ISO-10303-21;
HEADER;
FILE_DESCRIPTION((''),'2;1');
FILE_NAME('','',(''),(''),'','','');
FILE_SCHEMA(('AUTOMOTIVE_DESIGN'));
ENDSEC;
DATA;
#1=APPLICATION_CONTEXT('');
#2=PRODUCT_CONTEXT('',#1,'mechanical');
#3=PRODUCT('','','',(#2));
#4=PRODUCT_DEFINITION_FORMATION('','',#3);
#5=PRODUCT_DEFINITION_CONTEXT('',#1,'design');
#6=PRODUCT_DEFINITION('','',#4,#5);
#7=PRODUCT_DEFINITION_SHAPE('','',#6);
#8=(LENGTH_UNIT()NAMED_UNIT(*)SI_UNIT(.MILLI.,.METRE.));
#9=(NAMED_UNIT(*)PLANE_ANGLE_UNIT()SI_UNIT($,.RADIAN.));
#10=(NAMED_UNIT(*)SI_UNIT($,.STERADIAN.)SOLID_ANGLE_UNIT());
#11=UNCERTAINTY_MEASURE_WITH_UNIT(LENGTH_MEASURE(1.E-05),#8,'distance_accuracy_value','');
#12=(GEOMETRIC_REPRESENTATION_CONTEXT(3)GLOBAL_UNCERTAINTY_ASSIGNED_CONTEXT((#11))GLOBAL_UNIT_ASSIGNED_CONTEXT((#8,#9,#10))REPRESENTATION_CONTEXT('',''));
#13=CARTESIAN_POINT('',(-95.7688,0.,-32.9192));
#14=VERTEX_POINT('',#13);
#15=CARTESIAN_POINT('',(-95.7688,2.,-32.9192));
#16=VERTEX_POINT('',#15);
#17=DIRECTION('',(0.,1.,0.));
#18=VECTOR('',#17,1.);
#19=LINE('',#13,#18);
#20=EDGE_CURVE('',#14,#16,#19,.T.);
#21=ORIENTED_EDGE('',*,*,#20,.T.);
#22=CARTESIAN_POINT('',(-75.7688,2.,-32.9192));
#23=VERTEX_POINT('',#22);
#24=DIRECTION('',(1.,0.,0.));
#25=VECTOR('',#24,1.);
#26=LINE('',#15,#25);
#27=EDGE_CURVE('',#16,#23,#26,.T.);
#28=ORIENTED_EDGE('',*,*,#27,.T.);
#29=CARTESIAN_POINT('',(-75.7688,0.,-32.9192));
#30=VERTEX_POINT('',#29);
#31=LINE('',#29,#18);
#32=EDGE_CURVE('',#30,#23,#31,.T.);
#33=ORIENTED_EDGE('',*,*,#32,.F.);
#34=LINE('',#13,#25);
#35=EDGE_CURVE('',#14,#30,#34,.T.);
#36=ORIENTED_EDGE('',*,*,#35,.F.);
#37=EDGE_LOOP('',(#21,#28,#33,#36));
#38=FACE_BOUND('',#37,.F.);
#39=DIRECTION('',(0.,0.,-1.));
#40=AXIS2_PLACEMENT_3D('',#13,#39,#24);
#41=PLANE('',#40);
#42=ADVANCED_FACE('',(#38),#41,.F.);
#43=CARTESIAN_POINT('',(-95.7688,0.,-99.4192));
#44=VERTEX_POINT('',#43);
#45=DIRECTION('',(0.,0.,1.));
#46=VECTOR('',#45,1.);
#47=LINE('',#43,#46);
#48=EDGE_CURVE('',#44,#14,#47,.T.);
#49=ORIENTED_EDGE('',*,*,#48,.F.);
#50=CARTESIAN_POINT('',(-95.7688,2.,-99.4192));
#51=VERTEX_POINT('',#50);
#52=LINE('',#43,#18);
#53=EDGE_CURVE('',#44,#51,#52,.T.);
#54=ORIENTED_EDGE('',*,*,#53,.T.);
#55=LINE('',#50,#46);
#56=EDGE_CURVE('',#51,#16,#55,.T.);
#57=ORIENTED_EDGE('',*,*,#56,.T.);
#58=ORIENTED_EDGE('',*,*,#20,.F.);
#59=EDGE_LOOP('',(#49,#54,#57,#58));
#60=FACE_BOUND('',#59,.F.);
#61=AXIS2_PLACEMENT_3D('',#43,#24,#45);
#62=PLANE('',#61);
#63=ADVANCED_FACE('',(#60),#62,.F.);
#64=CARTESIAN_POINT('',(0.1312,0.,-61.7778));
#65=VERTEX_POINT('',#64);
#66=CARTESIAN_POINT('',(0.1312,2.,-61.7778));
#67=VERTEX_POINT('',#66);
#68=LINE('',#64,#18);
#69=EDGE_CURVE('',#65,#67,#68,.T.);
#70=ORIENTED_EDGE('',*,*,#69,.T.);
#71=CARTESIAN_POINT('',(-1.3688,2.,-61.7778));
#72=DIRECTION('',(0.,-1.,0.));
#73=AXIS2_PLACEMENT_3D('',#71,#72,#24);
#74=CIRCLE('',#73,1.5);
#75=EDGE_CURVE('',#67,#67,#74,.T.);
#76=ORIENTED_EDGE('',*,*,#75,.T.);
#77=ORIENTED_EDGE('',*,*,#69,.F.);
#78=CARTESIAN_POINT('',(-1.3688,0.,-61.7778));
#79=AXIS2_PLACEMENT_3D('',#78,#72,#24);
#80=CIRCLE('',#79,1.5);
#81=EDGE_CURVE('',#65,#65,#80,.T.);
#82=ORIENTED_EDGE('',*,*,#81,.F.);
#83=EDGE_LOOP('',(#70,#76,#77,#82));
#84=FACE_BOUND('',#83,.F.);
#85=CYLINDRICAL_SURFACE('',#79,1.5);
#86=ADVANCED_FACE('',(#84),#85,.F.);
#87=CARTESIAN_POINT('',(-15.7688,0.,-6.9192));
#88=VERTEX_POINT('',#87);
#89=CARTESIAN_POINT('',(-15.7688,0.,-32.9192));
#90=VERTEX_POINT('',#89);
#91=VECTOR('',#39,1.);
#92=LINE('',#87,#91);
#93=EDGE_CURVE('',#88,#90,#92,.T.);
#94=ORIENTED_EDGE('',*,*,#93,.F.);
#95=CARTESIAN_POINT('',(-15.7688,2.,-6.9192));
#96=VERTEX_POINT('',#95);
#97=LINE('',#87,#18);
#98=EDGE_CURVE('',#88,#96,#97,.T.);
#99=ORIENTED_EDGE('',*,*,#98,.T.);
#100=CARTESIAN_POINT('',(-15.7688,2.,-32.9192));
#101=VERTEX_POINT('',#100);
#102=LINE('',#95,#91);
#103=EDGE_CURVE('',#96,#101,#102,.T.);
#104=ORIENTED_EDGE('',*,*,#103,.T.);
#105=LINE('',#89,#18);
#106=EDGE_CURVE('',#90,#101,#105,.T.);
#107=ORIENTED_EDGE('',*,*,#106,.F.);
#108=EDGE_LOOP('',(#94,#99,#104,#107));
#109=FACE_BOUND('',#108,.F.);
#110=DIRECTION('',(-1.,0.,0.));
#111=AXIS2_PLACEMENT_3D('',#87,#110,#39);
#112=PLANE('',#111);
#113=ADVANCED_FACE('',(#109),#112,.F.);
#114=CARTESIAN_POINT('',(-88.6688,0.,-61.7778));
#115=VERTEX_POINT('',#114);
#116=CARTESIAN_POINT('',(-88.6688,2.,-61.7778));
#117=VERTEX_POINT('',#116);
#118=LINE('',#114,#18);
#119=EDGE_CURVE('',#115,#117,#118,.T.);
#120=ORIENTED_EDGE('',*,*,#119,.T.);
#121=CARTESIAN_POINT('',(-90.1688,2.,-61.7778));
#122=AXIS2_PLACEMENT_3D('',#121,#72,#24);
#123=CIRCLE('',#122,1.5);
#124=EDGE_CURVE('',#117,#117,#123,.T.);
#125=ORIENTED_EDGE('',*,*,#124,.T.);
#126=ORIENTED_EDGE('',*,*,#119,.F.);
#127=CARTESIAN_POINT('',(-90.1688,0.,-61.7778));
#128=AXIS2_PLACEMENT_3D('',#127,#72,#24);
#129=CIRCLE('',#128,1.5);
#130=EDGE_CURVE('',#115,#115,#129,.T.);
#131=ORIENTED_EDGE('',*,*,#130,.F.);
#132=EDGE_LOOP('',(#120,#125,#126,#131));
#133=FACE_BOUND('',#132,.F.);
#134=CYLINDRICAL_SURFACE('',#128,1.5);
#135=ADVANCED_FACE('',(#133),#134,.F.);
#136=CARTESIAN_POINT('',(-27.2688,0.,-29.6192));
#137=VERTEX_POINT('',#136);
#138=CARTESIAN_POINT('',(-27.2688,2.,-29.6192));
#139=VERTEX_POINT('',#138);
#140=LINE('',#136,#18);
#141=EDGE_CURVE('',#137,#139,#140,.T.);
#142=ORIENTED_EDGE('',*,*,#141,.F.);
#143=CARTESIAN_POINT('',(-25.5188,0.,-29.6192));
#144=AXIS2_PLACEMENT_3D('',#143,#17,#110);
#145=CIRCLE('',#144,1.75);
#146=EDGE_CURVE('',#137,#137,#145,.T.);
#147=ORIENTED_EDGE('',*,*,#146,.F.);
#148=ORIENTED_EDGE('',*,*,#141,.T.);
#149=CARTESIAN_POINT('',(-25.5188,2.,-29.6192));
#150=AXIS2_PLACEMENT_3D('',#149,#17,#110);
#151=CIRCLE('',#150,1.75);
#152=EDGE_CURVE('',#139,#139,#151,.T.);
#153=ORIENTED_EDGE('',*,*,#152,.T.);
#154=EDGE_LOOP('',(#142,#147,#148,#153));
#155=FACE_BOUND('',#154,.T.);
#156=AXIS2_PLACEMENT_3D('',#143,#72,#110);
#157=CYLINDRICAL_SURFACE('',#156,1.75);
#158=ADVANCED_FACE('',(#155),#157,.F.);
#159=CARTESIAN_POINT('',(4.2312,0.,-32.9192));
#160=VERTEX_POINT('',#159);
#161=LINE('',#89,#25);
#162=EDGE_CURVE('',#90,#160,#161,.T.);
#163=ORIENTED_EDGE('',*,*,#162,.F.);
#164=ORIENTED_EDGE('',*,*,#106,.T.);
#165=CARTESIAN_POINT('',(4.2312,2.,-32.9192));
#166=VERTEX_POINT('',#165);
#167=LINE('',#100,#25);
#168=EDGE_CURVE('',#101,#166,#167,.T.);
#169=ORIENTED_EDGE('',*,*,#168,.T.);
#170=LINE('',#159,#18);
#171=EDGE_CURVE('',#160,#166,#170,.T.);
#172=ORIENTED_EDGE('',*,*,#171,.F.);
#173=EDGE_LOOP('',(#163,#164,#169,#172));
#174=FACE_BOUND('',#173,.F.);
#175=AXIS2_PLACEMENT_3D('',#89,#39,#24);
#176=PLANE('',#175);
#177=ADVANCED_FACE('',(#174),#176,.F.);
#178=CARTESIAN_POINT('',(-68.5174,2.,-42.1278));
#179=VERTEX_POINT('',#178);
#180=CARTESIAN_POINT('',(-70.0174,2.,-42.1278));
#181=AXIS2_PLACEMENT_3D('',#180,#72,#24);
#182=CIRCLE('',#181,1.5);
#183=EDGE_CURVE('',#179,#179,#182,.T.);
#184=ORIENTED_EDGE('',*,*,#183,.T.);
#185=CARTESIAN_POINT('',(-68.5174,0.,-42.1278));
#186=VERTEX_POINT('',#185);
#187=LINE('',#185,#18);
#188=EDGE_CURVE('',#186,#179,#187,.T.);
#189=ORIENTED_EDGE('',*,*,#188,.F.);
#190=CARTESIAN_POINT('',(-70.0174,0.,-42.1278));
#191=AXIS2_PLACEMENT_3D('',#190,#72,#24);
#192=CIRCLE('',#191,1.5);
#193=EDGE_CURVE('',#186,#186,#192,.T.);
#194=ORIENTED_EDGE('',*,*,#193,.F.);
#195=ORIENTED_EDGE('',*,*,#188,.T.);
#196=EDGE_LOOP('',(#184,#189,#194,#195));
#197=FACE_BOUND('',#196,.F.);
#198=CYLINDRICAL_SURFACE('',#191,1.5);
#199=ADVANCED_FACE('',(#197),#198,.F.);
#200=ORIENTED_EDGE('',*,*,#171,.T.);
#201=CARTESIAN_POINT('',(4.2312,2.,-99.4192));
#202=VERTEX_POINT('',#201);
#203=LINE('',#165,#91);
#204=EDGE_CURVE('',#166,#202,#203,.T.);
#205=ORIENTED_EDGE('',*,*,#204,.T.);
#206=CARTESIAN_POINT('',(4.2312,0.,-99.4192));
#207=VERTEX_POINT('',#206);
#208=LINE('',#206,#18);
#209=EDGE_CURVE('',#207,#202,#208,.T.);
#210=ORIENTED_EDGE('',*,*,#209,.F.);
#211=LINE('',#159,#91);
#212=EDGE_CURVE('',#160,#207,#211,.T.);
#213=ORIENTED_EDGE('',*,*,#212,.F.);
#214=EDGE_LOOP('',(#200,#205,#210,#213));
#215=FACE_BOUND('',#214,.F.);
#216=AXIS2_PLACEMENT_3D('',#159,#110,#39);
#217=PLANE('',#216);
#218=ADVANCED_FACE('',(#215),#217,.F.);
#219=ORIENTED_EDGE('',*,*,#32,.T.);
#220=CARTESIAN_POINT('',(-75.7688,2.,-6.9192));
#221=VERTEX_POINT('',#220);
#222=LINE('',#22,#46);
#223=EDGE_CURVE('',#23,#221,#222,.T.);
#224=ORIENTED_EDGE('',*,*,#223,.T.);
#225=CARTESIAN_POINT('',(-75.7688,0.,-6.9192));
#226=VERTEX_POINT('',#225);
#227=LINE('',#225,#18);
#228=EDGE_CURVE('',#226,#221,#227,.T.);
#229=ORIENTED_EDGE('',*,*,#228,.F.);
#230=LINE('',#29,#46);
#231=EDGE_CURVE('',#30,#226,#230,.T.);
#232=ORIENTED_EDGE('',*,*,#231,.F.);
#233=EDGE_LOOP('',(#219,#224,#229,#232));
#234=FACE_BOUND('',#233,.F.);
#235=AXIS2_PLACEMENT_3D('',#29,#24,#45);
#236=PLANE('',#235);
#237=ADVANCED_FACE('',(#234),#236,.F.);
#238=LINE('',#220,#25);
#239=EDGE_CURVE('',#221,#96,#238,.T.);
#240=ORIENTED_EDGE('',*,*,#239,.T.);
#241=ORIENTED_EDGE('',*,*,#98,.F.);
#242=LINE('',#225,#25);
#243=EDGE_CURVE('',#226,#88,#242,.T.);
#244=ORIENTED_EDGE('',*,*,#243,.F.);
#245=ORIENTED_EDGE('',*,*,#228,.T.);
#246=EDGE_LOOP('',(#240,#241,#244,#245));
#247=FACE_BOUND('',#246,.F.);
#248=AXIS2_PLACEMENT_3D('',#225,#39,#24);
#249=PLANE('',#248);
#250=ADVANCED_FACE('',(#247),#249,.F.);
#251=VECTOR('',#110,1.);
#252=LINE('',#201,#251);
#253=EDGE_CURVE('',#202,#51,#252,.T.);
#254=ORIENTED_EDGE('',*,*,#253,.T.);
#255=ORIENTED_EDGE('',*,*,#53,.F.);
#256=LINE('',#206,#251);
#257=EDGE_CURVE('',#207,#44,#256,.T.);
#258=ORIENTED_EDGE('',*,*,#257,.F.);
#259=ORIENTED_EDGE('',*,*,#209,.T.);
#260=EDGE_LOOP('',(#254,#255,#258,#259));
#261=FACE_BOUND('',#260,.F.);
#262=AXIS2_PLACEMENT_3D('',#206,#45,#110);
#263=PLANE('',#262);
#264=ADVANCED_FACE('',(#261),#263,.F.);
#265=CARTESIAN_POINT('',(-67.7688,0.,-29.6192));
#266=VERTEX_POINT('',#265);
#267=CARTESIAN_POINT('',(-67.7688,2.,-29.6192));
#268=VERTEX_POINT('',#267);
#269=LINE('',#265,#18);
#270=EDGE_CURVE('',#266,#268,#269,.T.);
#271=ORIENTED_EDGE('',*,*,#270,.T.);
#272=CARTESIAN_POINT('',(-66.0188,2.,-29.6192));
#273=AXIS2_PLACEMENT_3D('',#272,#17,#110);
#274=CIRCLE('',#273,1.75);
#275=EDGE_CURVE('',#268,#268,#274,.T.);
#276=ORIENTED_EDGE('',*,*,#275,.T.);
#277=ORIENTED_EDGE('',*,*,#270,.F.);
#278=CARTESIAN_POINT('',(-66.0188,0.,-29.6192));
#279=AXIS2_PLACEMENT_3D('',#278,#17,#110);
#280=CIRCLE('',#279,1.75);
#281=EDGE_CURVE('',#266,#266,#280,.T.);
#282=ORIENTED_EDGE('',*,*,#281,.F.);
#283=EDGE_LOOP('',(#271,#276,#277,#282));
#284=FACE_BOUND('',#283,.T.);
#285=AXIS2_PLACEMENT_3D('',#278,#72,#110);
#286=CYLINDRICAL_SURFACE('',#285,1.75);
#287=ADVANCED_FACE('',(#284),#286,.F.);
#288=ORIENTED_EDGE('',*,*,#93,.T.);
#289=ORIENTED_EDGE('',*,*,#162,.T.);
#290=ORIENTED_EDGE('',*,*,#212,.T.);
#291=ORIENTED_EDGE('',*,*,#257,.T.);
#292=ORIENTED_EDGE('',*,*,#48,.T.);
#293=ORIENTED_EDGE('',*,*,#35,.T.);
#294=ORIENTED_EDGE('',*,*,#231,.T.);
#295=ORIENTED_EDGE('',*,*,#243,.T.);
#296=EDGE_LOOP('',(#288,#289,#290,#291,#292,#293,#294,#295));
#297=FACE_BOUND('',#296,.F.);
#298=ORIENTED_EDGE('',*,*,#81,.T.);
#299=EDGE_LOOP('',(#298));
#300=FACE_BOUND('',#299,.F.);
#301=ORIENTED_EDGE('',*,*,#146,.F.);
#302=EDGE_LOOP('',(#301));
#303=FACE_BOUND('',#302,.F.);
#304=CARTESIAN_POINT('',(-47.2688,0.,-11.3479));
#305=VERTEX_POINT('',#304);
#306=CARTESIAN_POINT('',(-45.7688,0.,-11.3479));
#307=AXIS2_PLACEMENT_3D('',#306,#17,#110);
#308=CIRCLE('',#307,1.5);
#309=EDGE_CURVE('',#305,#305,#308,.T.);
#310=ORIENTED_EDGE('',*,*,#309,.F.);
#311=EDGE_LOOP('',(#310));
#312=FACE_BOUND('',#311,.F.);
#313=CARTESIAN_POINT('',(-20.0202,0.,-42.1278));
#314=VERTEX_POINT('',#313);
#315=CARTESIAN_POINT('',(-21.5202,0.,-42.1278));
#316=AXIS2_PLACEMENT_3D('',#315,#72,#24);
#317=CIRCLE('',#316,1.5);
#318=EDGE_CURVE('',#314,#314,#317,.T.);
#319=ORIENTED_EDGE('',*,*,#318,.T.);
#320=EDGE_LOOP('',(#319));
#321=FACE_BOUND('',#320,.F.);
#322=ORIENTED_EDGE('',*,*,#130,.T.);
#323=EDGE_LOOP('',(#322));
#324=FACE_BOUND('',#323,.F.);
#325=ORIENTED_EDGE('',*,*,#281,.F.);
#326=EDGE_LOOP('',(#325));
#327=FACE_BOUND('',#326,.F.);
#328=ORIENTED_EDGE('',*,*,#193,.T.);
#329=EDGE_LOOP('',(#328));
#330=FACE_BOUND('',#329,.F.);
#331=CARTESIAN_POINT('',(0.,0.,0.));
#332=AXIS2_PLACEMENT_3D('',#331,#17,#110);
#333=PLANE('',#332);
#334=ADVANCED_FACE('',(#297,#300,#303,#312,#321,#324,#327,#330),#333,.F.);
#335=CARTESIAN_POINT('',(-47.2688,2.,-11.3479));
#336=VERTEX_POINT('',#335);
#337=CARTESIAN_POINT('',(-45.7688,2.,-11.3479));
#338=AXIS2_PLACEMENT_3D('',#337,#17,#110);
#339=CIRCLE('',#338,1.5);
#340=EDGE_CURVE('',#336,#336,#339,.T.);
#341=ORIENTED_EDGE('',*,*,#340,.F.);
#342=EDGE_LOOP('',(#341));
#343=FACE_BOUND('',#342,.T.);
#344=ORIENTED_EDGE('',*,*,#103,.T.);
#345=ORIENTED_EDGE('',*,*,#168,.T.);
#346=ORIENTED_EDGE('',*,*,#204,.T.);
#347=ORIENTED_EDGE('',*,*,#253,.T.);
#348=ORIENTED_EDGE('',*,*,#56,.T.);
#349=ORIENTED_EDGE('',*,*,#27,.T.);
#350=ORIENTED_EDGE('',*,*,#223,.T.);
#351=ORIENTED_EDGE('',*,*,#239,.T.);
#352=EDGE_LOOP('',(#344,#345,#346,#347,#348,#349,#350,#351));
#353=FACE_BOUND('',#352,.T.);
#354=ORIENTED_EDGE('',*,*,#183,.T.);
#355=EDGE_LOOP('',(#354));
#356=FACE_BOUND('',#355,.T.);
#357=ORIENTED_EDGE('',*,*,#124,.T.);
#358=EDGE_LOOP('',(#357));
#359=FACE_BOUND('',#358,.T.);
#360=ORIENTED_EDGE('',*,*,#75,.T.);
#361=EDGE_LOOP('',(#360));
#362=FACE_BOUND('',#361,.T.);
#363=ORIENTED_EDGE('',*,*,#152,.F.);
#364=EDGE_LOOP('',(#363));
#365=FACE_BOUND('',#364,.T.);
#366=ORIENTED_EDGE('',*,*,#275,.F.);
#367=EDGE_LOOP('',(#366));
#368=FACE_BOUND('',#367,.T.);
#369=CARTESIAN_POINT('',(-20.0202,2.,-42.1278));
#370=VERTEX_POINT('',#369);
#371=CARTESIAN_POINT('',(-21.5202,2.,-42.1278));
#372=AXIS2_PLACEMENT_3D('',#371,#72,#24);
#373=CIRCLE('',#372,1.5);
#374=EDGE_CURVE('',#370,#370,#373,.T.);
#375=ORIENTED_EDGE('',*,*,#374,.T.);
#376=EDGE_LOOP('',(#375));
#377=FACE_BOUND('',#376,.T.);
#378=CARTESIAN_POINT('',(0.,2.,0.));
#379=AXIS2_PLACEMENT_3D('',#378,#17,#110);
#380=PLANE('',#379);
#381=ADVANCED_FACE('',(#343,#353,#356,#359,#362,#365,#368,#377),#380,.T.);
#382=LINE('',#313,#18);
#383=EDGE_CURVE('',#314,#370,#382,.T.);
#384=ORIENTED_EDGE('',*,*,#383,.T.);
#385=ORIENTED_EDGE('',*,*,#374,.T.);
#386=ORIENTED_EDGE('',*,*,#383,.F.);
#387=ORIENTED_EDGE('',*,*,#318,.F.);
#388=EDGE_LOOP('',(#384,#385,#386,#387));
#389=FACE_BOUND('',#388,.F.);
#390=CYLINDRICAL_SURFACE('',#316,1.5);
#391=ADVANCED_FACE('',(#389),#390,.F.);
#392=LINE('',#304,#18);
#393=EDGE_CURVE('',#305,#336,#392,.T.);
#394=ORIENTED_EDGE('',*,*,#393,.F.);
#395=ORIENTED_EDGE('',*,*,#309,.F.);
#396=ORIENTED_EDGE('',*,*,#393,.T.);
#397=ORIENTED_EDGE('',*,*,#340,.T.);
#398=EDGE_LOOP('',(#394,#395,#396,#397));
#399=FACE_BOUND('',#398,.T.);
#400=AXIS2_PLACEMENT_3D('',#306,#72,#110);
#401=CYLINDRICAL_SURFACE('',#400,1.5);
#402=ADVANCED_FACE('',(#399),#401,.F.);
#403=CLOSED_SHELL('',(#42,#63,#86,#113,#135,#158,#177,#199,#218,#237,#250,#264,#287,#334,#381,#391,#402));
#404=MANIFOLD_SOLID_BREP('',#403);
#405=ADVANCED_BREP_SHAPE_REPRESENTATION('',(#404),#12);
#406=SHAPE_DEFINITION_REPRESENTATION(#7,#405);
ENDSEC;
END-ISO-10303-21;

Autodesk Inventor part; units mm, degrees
ref_plane "YZ Plane" through (0, 0, 0) normal (1, 0, 0) x (0, 1, 0)
ref_plane "XZ Plane" through (0, 0, 0) normal (0, 1, 0) x (-1, 0, 0)
ref_plane "XY Plane" through (0, 0, 0) normal (0, 0, 1) x (1, 0, 0)
sketch "Szkic1" plane through (0, 0, 0) normal (0, 1, 0) x (-1, 0, 0)
  circle A0 centre (45.7688, -11.3479) radius 1.5
  circle A1 centre (25.5188, -29.6192) radius 1.75
  circle A2 centre (66.0188, -29.6192) radius 1.75
  line L0 (-4.2312, -99.4192) -> (95.7688, -99.4192)
  line L1 (95.7688, -99.4192) -> (95.7688, -32.9192)
  line L2 (95.7688, -32.9192) -> (75.7688, -32.9192)
  line L3 (75.7688, -32.9192) -> (75.7688, -6.9192)
  line L4 (75.7688, -6.9192) -> (15.7688, -6.9192)
  line L5 (15.7688, -6.9192) -> (15.7688, -32.9192)
  line L6 (15.7688, -32.9192) -> (-4.2312, -32.9192)
  line L7 (-4.2312, -32.9192) -> (-4.2312, -99.4192)
  point P0 (0, 0)
  point P1 (0, 0)
extrude "Wyciągnięcie proste1" add sketch "Szkic1" along normal blind 2
sketch "Szkic2" plane through (0, 0, 0) normal (0, -1, 0) x (1, 0, 0)
  circle A0 centre (-1.3688, -61.7778) radius 1.5 projected
  circle A1 centre (-21.5202, -42.1278) radius 1.5 projected
  circle A2 centre (-70.0174, -42.1278) radius 1.5 projected
  circle A3 centre (-90.1688, -61.7778) radius 1.5 projected
  point P0 (0, 0)
extrude "Wyciągnięcie proste2" cut sketch "Szkic2" against normal blind 2
properties part number "podstawa" material "Aluminium 6061"
